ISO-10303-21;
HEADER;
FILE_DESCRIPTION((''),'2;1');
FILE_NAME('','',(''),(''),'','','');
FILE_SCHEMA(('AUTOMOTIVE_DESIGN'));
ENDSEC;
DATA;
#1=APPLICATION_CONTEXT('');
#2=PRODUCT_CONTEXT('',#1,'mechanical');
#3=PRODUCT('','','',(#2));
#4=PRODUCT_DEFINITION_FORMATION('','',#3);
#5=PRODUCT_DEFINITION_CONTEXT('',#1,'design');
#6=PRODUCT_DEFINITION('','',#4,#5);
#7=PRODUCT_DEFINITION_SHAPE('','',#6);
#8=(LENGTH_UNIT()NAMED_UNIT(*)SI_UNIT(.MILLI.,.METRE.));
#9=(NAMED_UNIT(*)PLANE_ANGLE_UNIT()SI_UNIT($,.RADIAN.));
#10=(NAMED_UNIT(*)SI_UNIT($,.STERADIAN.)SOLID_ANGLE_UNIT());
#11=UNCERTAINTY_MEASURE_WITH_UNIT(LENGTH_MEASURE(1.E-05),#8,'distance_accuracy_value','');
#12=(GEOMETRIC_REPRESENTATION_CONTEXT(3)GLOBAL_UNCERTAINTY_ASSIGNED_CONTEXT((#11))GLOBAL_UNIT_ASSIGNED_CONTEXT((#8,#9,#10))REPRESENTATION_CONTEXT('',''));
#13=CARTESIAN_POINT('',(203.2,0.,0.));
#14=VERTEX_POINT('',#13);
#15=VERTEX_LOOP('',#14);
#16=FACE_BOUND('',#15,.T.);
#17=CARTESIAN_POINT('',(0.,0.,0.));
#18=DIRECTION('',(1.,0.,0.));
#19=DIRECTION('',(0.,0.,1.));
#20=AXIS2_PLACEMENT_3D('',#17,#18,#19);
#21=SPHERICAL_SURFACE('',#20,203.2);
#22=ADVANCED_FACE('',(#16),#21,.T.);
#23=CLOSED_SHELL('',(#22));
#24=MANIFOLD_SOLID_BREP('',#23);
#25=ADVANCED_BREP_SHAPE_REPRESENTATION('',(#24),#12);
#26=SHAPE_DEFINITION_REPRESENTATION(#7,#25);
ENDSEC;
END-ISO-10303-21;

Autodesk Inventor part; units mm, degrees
ref_plane "YZ Plane" through (0, 0, 0) normal (1, 0, 0) x (0, 1, 0)
ref_plane "XZ Plane" through (0, 0, 0) normal (0, 1, 0) x (-1, 0, 0)
ref_plane "XY Plane" through (0, 0, 0) normal (0, 0, 1) x (1, 0, 0)
sketch "Sketch1" plane through (0, 0, 0) normal (0, 1, 0) x (-1, 0, 0)
  arc A0 (203.2, 0) -> (-203.2, 0) centre (0, 0) ccw
  line L0 (203.2, 0) -> (-203.2, 0)
  line L1 (284.48, 0) -> (-284.48, 0) projected
  dimension "d0" = 406.4
  dimension "d1" = 406.4
revolve "Revolution1" add sketch "Sketch1" angle 360 about axis through (-10, 0, 0) along (1, 0, 0)
equation "\"d1\" = d0"
properties part number "algae"
